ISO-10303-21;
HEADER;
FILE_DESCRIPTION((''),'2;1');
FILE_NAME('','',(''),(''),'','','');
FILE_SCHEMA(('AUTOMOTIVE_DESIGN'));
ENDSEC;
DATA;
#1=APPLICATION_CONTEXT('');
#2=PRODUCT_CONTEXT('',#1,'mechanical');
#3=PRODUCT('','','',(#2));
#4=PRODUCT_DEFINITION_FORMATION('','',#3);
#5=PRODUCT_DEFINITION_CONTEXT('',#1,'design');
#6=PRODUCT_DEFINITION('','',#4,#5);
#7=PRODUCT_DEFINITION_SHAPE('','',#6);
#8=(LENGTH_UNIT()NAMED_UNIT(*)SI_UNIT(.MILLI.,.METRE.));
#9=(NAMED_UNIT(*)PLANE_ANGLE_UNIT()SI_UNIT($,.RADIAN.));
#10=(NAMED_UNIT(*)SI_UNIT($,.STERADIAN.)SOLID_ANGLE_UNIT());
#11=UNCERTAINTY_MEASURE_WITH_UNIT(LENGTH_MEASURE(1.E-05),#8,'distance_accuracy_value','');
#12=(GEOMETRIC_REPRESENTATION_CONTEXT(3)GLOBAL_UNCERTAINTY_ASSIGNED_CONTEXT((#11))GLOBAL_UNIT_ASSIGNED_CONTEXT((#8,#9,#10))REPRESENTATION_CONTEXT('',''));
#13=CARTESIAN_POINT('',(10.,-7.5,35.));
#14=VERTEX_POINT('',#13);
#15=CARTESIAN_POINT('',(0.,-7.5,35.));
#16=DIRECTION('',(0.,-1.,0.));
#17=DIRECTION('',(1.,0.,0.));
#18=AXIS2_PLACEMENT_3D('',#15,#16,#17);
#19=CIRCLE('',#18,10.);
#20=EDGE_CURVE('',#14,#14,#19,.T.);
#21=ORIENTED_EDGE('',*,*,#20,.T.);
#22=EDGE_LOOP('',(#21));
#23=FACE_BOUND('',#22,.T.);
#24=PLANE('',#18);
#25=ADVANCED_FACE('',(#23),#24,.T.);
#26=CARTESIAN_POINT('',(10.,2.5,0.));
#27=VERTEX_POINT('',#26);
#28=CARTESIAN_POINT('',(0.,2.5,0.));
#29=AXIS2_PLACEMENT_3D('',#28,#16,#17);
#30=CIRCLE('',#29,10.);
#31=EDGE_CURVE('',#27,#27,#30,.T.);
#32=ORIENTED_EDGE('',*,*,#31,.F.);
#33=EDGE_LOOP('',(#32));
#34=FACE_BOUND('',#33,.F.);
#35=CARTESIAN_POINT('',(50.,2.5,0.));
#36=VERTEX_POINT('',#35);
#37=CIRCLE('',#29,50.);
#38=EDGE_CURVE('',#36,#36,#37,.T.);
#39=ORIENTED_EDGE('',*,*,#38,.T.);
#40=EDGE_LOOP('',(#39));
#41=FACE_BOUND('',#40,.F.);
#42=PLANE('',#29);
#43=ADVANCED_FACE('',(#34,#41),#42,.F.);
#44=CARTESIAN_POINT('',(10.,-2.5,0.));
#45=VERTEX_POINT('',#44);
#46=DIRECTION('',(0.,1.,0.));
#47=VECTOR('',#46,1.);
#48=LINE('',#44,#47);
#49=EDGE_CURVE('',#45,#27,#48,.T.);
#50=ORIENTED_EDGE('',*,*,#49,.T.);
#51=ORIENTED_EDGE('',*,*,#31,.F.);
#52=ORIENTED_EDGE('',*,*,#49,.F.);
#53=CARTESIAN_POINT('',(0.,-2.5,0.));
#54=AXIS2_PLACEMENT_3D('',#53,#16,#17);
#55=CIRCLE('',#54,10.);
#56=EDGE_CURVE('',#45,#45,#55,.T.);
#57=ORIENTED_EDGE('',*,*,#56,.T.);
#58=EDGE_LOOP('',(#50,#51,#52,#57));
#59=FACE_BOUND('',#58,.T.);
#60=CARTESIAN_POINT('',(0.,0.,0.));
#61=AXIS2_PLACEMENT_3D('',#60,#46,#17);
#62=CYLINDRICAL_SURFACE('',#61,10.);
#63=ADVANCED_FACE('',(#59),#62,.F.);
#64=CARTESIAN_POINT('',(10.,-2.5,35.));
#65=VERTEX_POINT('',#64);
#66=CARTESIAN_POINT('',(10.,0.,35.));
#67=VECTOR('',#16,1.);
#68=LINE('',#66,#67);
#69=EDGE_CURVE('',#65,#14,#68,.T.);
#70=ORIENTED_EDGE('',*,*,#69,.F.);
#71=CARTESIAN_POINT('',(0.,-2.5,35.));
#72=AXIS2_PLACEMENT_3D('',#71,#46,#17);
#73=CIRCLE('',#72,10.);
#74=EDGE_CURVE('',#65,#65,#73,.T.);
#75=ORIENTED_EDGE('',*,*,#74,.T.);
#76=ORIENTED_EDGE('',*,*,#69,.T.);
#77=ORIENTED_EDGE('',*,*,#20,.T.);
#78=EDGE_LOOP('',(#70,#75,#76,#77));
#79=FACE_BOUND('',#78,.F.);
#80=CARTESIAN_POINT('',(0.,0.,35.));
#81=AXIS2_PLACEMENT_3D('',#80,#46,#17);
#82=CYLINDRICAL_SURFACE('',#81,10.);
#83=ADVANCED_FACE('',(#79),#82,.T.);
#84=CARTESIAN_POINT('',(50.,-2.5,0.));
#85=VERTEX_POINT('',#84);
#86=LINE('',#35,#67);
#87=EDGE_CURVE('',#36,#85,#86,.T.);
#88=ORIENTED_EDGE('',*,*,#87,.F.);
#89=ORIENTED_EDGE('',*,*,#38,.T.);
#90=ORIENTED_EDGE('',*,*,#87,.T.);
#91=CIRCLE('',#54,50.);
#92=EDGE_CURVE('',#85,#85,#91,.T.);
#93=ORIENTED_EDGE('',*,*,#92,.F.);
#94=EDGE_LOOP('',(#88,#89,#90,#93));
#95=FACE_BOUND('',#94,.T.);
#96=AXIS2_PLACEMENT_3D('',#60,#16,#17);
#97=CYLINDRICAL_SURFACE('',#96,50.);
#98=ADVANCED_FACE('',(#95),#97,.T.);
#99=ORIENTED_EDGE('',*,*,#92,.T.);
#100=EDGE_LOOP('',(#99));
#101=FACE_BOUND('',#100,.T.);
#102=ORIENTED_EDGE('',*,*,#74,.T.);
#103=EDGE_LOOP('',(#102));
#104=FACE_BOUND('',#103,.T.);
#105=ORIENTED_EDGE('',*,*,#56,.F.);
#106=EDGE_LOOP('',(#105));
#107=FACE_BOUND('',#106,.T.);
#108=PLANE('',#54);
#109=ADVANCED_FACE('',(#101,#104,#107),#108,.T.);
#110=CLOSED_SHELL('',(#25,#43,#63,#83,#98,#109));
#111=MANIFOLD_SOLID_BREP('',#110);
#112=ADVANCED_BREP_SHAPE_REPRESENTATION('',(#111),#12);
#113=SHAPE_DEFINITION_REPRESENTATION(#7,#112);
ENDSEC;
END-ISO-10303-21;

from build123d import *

# Parameters (mm, degrees)
F0_R     = 50
F0_R_2   = 10
F1_DEPTH = 2.5
F2_R     = 10
F3_DEPTH = 7.5


with BuildPart() as f1:
    # F0 (on Front) → F1 (new body, symmetric)
    with BuildSketch(Plane.XZ):
        Circle(F0_R)
        Circle(F0_R_2, mode=Mode.SUBTRACT)
    extrude(amount=F1_DEPTH, both=True)

    # F2 (on Front) → F3 (join)
    with BuildSketch(Plane.XZ):
        with Locations((0, 35)):
            Circle(F2_R)
    extrude(amount=F3_DEPTH)


solid = f1.part
